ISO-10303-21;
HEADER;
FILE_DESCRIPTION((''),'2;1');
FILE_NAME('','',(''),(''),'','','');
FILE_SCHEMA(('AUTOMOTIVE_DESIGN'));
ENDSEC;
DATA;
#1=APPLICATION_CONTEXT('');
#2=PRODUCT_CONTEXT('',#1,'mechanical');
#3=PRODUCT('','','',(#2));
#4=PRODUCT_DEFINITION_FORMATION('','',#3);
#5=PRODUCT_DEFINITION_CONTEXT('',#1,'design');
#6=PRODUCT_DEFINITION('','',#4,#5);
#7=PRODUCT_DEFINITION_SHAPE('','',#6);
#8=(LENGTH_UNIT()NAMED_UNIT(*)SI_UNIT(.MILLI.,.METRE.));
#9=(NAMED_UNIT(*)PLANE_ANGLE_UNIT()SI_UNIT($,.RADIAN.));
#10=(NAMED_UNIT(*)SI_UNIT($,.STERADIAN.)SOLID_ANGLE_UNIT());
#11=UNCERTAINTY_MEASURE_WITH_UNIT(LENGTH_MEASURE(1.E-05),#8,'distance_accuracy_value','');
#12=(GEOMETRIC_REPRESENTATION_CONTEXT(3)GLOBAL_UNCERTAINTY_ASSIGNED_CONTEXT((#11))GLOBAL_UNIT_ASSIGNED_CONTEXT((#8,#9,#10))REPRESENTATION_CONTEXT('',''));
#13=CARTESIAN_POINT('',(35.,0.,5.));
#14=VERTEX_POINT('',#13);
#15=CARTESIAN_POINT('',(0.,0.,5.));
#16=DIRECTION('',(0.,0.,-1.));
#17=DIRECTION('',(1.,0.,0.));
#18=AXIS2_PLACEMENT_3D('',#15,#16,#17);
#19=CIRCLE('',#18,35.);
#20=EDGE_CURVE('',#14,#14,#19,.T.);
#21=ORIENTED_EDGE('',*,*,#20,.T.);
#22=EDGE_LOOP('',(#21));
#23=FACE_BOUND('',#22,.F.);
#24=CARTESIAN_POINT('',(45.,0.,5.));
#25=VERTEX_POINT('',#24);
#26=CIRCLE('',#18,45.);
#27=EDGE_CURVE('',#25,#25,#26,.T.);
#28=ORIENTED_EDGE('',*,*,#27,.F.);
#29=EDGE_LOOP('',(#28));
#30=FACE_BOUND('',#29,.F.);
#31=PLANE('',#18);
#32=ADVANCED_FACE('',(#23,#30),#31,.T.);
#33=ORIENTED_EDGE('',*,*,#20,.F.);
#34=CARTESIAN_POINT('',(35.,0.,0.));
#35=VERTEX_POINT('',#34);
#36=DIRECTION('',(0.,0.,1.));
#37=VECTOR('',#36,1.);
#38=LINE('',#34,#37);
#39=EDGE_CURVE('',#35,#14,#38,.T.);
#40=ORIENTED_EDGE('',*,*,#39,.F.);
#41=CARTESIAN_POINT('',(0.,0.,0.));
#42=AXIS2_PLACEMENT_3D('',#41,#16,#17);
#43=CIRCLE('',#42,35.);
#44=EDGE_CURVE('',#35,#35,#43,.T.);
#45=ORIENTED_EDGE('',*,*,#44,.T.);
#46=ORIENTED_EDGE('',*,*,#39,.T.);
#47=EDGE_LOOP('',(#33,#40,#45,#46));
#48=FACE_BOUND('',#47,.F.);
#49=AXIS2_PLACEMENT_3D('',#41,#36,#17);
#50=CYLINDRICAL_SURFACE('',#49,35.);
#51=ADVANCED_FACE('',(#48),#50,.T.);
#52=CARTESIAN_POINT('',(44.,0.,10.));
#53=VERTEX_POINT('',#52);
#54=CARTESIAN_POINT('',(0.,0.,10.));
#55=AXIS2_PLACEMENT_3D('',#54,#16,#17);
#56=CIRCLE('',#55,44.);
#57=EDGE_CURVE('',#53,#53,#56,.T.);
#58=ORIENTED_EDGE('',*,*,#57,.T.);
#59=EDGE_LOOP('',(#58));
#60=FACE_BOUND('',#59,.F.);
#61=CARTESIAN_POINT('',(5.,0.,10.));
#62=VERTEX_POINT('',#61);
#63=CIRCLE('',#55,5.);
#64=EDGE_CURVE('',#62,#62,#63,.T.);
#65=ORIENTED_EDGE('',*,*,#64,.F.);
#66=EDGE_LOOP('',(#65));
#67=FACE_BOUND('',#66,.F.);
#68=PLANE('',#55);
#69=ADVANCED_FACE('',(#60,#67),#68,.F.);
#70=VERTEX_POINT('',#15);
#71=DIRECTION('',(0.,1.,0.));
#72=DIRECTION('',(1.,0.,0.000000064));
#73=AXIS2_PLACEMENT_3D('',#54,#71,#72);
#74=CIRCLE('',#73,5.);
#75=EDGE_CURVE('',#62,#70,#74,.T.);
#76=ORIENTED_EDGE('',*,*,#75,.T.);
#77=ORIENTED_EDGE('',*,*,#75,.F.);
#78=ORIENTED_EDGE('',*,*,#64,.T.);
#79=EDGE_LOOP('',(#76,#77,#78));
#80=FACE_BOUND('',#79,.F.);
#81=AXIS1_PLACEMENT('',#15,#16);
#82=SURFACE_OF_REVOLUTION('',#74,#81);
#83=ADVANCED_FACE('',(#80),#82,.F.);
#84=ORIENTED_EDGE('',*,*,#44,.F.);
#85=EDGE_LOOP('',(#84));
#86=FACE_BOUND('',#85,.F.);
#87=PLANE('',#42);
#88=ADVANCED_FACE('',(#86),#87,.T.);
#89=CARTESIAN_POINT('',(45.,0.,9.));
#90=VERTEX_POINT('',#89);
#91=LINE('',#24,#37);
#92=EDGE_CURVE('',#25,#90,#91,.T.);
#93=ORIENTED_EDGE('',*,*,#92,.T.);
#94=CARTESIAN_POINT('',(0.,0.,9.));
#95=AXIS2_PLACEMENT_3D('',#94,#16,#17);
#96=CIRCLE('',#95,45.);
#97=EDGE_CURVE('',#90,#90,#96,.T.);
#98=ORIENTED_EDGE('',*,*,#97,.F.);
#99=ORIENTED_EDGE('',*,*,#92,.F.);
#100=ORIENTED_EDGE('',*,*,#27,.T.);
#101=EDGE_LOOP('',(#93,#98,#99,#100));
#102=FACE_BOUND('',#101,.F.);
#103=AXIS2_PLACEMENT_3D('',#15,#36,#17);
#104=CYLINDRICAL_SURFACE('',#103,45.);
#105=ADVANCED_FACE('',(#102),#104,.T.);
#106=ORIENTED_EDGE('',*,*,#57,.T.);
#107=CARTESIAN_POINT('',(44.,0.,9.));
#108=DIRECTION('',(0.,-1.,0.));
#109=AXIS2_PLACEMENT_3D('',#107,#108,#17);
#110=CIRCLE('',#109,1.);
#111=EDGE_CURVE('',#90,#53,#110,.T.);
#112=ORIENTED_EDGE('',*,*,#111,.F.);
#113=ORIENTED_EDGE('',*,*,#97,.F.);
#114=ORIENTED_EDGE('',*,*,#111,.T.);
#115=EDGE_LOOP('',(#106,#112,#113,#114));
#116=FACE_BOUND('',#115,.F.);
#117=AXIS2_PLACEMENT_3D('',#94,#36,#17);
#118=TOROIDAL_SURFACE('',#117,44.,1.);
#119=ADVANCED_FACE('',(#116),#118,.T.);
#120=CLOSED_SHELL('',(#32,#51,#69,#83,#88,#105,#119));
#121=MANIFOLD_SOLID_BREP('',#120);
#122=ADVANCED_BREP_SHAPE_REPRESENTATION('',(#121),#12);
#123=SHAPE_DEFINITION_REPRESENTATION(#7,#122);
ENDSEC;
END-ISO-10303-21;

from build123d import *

# Parameters (mm, degrees)
F2_R = 1


with BuildPart() as f1:
    # F0 (on Front) → F1 (revolve)
    with BuildSketch(Plane.XZ):
        with BuildLine():
            Line((0, 5), (0, 0))
            Line((0, 0), (35, 0))
            Line((35, 0), (35, 5))
            Line((35, 5), (45, 5))
            Line((45, 5), (45, 10))
            Line((45, 10), (5, 10))
            ThreePointArc((5, 10), (3.535534, 6.464466), (0, 5))
        make_face()
    revolve(axis=Axis((0, 0, 5), (0, 0, -1)))

    # F2
    f2_edges = [f1.edges().sort_by_distance(p)[0] for p in [
        (-45, 0, 10),
    ]]
    fillet(f2_edges, radius=F2_R)


solid = f1.part
